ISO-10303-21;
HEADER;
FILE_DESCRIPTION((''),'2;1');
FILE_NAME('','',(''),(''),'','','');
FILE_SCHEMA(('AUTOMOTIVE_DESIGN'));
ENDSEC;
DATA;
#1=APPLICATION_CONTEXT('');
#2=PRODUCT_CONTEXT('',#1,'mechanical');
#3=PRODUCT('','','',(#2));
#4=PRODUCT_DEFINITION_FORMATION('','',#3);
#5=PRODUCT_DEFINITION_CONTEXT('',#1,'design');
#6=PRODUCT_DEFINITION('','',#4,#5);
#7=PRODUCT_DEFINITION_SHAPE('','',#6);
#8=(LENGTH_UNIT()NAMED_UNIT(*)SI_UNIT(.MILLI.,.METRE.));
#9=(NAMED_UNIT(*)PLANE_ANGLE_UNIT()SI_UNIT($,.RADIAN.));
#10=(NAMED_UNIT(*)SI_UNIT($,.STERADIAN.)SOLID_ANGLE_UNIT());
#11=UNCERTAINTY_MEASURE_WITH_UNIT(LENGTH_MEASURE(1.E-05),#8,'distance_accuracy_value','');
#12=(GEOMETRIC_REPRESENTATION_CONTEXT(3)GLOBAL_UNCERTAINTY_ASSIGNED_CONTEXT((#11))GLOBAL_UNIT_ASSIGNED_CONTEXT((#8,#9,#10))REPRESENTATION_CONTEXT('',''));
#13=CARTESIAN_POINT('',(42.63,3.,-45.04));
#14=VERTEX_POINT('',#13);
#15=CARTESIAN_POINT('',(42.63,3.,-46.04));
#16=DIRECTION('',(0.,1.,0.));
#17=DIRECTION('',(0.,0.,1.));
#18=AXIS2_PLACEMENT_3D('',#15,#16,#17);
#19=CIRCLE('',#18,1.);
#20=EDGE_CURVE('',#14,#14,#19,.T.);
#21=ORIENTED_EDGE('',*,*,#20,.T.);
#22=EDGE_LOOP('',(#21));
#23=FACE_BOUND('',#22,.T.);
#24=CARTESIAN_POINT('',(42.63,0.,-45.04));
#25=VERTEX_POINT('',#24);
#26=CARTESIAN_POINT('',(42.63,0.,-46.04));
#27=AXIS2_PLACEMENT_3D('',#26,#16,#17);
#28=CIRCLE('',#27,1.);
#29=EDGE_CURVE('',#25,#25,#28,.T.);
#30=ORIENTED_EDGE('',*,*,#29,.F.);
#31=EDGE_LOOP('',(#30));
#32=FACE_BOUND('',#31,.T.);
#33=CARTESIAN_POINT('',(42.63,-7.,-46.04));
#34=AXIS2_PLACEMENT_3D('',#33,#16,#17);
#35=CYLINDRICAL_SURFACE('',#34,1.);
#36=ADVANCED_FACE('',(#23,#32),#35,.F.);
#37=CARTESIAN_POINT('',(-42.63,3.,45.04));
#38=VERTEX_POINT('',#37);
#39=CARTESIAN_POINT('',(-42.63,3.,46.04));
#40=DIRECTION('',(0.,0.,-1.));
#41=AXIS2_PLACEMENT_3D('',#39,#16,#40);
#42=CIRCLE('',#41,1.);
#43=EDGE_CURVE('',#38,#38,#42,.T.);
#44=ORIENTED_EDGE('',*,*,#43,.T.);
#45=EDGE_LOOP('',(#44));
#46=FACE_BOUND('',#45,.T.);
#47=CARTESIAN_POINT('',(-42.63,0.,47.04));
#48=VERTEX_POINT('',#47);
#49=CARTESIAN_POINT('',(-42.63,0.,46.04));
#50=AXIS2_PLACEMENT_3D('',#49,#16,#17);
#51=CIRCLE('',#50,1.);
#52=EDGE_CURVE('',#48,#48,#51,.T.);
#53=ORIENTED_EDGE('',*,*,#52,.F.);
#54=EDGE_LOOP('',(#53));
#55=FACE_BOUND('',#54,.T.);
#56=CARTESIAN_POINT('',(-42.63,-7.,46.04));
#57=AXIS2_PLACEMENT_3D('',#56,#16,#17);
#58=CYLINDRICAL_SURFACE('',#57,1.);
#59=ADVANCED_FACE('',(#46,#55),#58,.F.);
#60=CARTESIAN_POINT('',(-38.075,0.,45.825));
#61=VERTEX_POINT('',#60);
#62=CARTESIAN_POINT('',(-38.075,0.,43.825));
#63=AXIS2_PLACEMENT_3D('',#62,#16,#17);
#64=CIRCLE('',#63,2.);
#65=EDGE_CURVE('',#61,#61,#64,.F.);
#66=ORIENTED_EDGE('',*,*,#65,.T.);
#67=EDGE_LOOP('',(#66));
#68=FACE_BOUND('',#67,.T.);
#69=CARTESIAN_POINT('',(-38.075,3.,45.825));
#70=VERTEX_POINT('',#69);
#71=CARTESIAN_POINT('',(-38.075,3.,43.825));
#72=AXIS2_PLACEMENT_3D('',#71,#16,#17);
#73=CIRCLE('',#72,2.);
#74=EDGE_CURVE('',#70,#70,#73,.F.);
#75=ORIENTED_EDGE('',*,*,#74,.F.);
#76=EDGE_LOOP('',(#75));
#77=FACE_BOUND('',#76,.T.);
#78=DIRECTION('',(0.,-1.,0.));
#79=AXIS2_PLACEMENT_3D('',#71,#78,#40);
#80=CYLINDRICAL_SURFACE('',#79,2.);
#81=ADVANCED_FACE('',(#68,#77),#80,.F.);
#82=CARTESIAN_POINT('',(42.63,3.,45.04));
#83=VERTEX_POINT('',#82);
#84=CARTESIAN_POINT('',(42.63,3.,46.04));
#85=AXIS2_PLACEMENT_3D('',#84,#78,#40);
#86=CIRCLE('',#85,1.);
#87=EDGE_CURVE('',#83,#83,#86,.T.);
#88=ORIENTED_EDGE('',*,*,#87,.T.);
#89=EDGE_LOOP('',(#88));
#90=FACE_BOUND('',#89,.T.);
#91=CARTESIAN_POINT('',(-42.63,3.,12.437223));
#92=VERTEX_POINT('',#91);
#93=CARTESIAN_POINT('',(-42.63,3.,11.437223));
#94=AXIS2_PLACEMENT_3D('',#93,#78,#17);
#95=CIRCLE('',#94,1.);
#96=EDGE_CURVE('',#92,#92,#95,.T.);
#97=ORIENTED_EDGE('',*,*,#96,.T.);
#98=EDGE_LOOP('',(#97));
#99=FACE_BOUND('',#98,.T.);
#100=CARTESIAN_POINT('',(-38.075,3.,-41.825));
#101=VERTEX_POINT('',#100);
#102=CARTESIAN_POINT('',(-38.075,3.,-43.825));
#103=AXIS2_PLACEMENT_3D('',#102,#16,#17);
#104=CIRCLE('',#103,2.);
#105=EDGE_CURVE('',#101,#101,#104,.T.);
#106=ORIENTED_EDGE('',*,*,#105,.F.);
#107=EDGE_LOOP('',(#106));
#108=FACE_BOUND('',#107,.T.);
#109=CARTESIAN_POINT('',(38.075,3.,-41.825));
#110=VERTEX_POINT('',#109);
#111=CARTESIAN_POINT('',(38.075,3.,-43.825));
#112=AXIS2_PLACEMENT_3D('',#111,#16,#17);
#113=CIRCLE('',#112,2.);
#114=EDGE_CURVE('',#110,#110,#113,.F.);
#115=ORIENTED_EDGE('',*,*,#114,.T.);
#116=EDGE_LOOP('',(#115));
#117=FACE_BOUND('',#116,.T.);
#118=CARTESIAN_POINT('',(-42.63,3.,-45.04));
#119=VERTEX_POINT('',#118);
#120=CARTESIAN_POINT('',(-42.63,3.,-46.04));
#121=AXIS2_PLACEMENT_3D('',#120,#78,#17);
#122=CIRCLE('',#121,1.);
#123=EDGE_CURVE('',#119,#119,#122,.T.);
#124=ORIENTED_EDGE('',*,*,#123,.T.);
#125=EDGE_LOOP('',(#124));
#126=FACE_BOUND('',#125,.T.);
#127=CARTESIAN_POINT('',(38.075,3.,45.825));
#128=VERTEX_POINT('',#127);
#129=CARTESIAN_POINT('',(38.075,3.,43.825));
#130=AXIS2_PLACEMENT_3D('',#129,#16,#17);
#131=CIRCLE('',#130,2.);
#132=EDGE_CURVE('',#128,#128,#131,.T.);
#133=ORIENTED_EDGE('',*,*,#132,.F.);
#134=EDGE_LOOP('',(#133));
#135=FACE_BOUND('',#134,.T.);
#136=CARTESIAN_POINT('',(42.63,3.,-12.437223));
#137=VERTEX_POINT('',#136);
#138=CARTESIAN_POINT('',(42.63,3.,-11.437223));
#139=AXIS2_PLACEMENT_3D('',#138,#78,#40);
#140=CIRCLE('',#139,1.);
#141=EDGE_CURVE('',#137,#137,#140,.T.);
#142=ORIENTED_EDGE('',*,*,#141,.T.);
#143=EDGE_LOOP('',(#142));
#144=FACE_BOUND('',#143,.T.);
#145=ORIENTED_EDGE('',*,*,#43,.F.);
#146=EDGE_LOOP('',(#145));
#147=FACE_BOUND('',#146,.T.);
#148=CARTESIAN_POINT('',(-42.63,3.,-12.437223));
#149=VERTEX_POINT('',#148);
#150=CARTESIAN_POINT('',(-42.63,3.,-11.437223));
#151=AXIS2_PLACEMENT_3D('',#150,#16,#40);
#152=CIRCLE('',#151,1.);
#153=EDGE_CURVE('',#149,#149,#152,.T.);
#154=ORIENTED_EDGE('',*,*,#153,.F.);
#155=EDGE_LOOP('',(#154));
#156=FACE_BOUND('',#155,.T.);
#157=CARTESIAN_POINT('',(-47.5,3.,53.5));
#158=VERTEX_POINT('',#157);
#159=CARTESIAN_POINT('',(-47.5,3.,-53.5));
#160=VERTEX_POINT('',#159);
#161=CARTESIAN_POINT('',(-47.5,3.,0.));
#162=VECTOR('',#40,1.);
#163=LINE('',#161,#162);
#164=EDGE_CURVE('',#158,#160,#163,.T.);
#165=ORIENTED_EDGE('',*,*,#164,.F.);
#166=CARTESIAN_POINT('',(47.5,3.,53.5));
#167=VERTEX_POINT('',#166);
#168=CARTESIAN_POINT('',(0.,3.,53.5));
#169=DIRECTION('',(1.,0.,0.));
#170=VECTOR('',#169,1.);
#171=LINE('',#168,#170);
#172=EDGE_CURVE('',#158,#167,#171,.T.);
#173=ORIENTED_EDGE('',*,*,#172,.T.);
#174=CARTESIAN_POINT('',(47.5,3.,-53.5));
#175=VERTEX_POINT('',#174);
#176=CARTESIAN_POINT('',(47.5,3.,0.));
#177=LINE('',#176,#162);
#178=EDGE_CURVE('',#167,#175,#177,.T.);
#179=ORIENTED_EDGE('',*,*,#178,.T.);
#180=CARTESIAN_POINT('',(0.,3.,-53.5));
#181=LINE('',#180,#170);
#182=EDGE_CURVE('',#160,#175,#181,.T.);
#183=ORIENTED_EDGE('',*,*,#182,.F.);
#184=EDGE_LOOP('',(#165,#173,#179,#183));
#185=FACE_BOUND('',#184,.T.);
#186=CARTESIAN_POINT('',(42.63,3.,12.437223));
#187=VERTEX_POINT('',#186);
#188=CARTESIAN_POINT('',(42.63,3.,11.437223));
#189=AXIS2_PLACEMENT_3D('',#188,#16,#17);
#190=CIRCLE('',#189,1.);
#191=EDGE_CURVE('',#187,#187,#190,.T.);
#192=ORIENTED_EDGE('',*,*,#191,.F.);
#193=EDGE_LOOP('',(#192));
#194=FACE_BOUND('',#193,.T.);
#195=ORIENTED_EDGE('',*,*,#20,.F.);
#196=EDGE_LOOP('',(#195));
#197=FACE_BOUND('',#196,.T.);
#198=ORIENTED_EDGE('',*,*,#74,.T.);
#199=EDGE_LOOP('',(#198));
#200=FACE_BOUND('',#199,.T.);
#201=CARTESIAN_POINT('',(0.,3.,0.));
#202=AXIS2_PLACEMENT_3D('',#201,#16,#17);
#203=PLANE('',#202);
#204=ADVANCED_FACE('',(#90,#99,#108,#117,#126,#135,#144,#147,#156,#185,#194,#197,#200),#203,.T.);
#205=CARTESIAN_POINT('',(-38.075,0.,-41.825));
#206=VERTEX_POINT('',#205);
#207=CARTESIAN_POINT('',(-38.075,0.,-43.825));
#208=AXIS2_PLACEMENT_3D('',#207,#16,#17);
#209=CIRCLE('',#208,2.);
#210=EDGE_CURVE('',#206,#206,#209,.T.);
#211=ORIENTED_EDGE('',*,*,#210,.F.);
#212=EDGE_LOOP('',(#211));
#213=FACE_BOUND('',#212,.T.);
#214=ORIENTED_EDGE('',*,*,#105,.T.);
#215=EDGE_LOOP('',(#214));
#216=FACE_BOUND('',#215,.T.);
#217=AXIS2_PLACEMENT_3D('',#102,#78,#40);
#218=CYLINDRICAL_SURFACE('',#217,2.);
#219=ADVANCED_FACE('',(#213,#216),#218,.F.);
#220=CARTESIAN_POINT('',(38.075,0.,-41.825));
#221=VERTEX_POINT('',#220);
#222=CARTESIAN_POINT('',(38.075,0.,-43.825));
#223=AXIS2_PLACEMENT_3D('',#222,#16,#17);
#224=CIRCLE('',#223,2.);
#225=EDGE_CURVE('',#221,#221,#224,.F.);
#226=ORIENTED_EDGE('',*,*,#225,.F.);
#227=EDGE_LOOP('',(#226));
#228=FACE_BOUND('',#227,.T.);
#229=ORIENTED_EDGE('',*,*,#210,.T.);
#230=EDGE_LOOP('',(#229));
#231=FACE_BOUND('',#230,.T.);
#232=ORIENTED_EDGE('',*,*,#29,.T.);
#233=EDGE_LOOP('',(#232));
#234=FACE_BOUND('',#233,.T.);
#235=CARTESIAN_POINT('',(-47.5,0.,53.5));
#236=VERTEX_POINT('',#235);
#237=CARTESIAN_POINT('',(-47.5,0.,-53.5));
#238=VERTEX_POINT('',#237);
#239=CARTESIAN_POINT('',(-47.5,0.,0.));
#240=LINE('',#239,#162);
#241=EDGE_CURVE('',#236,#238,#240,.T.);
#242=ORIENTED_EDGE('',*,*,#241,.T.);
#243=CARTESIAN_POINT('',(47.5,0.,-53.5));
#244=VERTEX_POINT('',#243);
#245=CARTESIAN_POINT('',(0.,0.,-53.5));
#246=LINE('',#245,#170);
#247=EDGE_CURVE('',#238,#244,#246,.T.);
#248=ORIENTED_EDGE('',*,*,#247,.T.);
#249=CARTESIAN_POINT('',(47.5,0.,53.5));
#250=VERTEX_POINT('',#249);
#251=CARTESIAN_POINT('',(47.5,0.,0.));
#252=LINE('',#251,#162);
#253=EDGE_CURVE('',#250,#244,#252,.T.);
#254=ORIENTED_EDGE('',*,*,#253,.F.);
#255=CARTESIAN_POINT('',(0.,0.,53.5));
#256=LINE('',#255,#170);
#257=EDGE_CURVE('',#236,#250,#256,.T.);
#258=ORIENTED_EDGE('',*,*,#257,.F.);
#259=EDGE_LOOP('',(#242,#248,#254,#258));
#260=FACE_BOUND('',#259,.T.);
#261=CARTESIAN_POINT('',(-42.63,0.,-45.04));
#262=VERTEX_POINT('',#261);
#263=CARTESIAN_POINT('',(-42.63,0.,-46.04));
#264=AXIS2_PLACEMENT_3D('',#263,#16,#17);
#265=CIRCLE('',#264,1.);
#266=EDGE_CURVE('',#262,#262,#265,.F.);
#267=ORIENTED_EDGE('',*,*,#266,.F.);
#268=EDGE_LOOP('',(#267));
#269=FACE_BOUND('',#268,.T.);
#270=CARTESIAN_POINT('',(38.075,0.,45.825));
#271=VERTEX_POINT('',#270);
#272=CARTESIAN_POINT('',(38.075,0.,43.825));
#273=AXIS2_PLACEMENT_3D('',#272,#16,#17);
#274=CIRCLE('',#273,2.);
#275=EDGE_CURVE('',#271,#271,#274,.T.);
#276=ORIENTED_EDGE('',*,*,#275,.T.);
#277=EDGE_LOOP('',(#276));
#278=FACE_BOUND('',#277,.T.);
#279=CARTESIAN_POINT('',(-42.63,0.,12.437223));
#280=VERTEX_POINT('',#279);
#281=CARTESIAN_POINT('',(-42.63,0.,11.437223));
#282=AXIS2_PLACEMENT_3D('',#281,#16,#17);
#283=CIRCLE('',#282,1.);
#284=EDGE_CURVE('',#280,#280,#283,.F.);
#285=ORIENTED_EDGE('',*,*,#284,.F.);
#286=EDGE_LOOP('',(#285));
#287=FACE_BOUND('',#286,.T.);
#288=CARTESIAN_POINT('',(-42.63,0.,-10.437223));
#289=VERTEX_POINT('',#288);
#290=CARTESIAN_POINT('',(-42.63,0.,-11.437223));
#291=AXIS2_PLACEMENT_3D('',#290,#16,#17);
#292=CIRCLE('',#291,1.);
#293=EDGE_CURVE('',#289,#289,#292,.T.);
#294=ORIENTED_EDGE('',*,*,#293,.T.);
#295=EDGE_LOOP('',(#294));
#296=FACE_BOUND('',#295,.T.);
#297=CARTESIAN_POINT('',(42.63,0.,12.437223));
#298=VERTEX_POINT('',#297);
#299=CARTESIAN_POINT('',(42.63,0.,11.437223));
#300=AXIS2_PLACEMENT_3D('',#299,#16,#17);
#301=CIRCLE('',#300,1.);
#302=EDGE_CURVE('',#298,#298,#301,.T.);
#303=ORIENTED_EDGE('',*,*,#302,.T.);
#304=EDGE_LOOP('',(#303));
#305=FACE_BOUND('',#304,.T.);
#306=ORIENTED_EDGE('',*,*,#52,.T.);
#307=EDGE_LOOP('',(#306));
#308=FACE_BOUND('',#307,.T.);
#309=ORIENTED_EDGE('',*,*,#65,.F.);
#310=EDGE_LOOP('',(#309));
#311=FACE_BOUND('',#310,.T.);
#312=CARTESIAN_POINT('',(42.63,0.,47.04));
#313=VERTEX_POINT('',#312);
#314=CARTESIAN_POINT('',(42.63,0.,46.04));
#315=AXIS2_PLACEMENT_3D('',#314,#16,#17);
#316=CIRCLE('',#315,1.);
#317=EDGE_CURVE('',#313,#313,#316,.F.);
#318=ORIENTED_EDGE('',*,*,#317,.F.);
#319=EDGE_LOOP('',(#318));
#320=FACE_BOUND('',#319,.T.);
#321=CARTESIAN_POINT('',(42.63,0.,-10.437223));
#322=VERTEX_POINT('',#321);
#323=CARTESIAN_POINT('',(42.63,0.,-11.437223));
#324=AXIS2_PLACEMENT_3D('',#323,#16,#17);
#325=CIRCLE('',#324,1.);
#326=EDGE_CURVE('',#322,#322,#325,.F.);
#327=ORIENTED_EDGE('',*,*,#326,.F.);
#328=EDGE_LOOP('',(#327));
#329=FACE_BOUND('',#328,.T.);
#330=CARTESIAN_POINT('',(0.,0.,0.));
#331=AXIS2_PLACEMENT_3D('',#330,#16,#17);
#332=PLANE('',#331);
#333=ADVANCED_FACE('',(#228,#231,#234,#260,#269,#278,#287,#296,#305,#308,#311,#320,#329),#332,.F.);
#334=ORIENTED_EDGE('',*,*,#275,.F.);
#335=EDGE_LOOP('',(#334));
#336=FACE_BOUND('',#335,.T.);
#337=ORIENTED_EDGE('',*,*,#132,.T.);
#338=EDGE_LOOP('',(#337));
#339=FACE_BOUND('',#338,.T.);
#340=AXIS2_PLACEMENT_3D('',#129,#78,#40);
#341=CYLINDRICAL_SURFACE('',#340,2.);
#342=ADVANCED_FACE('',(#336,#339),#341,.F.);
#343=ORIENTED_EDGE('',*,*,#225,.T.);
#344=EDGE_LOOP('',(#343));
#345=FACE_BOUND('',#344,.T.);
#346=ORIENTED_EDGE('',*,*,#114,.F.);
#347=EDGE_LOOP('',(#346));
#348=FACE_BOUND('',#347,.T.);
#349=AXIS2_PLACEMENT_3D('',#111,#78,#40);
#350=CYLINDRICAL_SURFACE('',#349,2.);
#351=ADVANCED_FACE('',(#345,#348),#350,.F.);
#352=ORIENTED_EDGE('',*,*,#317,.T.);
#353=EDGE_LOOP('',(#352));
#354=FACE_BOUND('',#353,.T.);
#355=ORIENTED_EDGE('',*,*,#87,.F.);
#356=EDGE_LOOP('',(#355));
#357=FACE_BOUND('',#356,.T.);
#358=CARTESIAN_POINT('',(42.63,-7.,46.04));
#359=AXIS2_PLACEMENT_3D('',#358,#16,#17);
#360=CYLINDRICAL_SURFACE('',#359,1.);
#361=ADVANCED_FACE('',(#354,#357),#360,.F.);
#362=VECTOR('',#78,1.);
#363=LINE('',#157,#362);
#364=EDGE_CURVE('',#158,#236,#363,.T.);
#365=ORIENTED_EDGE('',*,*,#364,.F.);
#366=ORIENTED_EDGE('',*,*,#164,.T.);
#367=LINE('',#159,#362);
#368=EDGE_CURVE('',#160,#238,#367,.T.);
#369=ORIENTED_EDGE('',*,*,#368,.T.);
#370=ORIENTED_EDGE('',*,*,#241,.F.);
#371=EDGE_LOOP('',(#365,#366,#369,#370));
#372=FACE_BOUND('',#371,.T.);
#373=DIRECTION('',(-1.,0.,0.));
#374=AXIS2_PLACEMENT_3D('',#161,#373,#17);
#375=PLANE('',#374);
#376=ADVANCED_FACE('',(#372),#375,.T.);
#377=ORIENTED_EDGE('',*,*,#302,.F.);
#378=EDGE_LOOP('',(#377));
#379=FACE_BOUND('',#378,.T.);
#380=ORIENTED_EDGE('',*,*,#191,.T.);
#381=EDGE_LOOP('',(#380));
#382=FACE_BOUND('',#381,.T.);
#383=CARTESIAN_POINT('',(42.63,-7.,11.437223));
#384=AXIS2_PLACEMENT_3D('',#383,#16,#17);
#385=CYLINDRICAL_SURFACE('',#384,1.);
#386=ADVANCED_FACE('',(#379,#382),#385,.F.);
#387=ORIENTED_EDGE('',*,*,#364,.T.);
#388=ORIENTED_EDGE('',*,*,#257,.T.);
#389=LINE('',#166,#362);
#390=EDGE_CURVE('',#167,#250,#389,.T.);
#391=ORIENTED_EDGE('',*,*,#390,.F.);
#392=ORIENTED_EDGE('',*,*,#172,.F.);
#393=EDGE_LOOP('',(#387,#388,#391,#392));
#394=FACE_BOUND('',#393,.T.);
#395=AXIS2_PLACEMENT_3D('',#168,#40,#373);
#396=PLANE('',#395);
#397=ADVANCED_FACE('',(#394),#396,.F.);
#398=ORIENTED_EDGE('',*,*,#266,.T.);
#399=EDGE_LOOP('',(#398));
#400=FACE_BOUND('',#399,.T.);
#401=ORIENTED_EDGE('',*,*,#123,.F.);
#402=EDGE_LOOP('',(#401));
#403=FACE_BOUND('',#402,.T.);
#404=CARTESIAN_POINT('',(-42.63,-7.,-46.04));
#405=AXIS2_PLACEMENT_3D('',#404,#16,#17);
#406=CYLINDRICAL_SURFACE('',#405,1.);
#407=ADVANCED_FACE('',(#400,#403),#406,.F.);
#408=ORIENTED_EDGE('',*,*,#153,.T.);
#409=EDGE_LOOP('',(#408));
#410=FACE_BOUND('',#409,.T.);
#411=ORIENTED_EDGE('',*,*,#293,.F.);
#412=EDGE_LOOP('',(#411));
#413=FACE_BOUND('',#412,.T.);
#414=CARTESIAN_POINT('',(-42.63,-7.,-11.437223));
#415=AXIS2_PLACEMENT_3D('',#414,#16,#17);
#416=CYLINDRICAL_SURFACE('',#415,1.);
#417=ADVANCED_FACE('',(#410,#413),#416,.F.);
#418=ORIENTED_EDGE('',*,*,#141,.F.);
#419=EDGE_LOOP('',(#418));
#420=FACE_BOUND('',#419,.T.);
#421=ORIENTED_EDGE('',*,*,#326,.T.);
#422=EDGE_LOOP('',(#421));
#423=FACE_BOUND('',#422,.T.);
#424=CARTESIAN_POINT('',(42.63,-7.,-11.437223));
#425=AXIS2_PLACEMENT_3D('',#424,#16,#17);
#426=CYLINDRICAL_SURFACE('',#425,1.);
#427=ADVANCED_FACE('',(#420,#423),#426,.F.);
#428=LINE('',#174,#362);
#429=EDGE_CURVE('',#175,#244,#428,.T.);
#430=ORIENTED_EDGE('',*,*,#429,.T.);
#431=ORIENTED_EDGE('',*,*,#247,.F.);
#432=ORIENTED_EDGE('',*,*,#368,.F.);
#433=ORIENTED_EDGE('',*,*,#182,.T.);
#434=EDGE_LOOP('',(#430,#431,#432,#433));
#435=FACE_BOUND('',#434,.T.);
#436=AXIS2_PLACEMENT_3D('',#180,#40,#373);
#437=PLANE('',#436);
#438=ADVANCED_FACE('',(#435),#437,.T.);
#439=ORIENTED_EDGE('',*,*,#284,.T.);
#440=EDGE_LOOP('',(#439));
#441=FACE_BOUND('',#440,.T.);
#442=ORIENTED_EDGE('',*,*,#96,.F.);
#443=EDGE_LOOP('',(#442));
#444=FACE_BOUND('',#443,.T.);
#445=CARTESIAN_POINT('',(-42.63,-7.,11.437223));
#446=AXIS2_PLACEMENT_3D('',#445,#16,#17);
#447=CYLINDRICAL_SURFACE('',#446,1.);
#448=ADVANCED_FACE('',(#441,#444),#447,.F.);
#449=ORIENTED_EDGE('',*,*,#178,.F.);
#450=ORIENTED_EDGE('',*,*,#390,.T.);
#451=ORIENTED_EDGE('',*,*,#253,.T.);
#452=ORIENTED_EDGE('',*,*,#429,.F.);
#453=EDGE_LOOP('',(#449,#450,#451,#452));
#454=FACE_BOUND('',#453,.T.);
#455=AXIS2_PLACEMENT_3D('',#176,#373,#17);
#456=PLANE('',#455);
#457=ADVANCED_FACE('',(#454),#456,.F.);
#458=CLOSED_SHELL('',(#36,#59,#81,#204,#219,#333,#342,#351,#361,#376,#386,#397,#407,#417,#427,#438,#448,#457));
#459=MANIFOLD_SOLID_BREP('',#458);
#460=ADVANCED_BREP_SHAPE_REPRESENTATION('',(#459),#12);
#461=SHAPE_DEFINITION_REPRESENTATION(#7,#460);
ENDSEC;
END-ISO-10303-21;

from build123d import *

# Parameters (mm, degrees)
SKETCH2_W                                  = 95
SKETCH2_H                                  = 107
SKETCH2_R                                  = 2
BOSS_EXTRUDE1_DEPTH                        = 3
SKETCH7_R                                  = 1
CUT_EXTRUDE2_DEPTH                         = 10
MIRROR3_COPY_1_SKETCH_R                    = 1
MIRROR3_COPY_1_DEPTH                       = 10
MIRROR3_AT_THE_SECOND_PLANE_COPY_1_SKETC_R = 1
MIRROR3_AT_THE_SECOND_PLANE_COPY_1_DEPTH   = 10
MIRROR3_AT_THE_SECOND_PLANE_COPY_2_SKETC_R = 1
MIRROR3_AT_THE_SECOND_PLANE_COPY_2_DEPTH   = 10
MIRROR3_AT_THE_SECOND_PLANE_COPY_3_SKETC_R = 1
MIRROR3_AT_THE_SECOND_PLANE_COPY_3_DEPTH   = 10


with BuildPart() as part:
    # Sketch2 → Boss-Extrude1 (new body)
    with BuildSketch(Plane(origin=(0, 0, 0), x_dir=(1, 0, 0), z_dir=(0, 1, 0))):
        Rectangle(SKETCH2_W, SKETCH2_H)
        with Locations(Location((38.075, -43.825, 0), (0, 0, 270))):
            Circle(SKETCH2_R, mode=Mode.SUBTRACT)
        with Locations(Location((38.075, 43.825, 0), (0, 0, 270))):
            Circle(SKETCH2_R, mode=Mode.SUBTRACT)
        with Locations(Location((-38.075, -43.825, 0), (0, 0, 270))):
            Circle(SKETCH2_R, mode=Mode.SUBTRACT)
        with Locations(Location((-38.075, 43.825, 0), (0, 0, 270))):
            Circle(SKETCH2_R, mode=Mode.SUBTRACT)
    extrude(amount=BOSS_EXTRUDE1_DEPTH)

    # Sketch7 → Cut-Extrude2 (cut)
    with BuildSketch(Plane(origin=(0, 3, 0), x_dir=(1, 0, 0), z_dir=(0, 1, 0))):
        with Locations(Location((42.63, 46.04, 0), (0, 0, 270))):
            Circle(SKETCH7_R)
    cut_extrude2 = extrude(amount=-CUT_EXTRUDE2_DEPTH, mode=Mode.SUBTRACT)

    # Mirror2: Cut-Extrude2 across plane
    add(cut_extrude2.mirror(Plane(origin=(0, 0, -28.738611276), x_dir=(1, 0, 0), z_dir=(0, 0, -1))), mode=Mode.SUBTRACT)

    # Mirror3: Cut-Extrude2 across plane
    add(cut_extrude2.mirror(Plane(origin=(0, 0, 0), x_dir=(0, 0, 1), z_dir=(1, 0, 0))), mode=Mode.SUBTRACT)

    # Mirror3 copy 1 sketch → Mirror3 copy 1 (cut)
    with BuildSketch(Plane(origin=(0, 3, -57.477222552), x_dir=(-1, 0, 0), z_dir=(0, 1, 0))):
        with Locations(Location((42.63, 46.04, 0), (0, 0, 270))):
            Circle(MIRROR3_COPY_1_SKETCH_R)
    extrude(amount=-MIRROR3_COPY_1_DEPTH, mode=Mode.SUBTRACT)

    # Mirror3 at the second plane: Cut-Extrude2 across plane
    add(cut_extrude2.mirror(Plane.XY), mode=Mode.SUBTRACT)

    # Mirror3 at the second plane copy 1 sketc → Mirror3 at the second plane copy 1 (cut)
    with BuildSketch(Plane(origin=(0, 3, 57.477222552), x_dir=(1, 0, 0), z_dir=(0, 1, 0))):
        with Locations(Location((42.63, 46.04, 0), (0, 0, 270))):
            Circle(MIRROR3_AT_THE_SECOND_PLANE_COPY_1_SKETC_R)
    extrude(amount=-MIRROR3_AT_THE_SECOND_PLANE_COPY_1_DEPTH, mode=Mode.SUBTRACT)

    # Mirror3 at the second plane copy 2 sketc → Mirror3 at the second plane copy 2 (cut)
    with BuildSketch(Plane(origin=(0, 3, 0), x_dir=(-1, 0, 0), z_dir=(0, 1, 0))):
        with Locations(Location((42.63, 46.04, 0), (0, 0, 270))):
            Circle(MIRROR3_AT_THE_SECOND_PLANE_COPY_2_SKETC_R)
    extrude(amount=-MIRROR3_AT_THE_SECOND_PLANE_COPY_2_DEPTH, mode=Mode.SUBTRACT)

    # Mirror3 at the second plane copy 3 sketc → Mirror3 at the second plane copy 3 (cut)
    with BuildSketch(Plane(origin=(0, 3, 57.477222552), x_dir=(-1, 0, 0), z_dir=(0, 1, 0))):
        with Locations((42.63, -46.04)):
            Circle(MIRROR3_AT_THE_SECOND_PLANE_COPY_3_SKETC_R)
    extrude(amount=-MIRROR3_AT_THE_SECOND_PLANE_COPY_3_DEPTH, mode=Mode.SUBTRACT)


solid = part.part
